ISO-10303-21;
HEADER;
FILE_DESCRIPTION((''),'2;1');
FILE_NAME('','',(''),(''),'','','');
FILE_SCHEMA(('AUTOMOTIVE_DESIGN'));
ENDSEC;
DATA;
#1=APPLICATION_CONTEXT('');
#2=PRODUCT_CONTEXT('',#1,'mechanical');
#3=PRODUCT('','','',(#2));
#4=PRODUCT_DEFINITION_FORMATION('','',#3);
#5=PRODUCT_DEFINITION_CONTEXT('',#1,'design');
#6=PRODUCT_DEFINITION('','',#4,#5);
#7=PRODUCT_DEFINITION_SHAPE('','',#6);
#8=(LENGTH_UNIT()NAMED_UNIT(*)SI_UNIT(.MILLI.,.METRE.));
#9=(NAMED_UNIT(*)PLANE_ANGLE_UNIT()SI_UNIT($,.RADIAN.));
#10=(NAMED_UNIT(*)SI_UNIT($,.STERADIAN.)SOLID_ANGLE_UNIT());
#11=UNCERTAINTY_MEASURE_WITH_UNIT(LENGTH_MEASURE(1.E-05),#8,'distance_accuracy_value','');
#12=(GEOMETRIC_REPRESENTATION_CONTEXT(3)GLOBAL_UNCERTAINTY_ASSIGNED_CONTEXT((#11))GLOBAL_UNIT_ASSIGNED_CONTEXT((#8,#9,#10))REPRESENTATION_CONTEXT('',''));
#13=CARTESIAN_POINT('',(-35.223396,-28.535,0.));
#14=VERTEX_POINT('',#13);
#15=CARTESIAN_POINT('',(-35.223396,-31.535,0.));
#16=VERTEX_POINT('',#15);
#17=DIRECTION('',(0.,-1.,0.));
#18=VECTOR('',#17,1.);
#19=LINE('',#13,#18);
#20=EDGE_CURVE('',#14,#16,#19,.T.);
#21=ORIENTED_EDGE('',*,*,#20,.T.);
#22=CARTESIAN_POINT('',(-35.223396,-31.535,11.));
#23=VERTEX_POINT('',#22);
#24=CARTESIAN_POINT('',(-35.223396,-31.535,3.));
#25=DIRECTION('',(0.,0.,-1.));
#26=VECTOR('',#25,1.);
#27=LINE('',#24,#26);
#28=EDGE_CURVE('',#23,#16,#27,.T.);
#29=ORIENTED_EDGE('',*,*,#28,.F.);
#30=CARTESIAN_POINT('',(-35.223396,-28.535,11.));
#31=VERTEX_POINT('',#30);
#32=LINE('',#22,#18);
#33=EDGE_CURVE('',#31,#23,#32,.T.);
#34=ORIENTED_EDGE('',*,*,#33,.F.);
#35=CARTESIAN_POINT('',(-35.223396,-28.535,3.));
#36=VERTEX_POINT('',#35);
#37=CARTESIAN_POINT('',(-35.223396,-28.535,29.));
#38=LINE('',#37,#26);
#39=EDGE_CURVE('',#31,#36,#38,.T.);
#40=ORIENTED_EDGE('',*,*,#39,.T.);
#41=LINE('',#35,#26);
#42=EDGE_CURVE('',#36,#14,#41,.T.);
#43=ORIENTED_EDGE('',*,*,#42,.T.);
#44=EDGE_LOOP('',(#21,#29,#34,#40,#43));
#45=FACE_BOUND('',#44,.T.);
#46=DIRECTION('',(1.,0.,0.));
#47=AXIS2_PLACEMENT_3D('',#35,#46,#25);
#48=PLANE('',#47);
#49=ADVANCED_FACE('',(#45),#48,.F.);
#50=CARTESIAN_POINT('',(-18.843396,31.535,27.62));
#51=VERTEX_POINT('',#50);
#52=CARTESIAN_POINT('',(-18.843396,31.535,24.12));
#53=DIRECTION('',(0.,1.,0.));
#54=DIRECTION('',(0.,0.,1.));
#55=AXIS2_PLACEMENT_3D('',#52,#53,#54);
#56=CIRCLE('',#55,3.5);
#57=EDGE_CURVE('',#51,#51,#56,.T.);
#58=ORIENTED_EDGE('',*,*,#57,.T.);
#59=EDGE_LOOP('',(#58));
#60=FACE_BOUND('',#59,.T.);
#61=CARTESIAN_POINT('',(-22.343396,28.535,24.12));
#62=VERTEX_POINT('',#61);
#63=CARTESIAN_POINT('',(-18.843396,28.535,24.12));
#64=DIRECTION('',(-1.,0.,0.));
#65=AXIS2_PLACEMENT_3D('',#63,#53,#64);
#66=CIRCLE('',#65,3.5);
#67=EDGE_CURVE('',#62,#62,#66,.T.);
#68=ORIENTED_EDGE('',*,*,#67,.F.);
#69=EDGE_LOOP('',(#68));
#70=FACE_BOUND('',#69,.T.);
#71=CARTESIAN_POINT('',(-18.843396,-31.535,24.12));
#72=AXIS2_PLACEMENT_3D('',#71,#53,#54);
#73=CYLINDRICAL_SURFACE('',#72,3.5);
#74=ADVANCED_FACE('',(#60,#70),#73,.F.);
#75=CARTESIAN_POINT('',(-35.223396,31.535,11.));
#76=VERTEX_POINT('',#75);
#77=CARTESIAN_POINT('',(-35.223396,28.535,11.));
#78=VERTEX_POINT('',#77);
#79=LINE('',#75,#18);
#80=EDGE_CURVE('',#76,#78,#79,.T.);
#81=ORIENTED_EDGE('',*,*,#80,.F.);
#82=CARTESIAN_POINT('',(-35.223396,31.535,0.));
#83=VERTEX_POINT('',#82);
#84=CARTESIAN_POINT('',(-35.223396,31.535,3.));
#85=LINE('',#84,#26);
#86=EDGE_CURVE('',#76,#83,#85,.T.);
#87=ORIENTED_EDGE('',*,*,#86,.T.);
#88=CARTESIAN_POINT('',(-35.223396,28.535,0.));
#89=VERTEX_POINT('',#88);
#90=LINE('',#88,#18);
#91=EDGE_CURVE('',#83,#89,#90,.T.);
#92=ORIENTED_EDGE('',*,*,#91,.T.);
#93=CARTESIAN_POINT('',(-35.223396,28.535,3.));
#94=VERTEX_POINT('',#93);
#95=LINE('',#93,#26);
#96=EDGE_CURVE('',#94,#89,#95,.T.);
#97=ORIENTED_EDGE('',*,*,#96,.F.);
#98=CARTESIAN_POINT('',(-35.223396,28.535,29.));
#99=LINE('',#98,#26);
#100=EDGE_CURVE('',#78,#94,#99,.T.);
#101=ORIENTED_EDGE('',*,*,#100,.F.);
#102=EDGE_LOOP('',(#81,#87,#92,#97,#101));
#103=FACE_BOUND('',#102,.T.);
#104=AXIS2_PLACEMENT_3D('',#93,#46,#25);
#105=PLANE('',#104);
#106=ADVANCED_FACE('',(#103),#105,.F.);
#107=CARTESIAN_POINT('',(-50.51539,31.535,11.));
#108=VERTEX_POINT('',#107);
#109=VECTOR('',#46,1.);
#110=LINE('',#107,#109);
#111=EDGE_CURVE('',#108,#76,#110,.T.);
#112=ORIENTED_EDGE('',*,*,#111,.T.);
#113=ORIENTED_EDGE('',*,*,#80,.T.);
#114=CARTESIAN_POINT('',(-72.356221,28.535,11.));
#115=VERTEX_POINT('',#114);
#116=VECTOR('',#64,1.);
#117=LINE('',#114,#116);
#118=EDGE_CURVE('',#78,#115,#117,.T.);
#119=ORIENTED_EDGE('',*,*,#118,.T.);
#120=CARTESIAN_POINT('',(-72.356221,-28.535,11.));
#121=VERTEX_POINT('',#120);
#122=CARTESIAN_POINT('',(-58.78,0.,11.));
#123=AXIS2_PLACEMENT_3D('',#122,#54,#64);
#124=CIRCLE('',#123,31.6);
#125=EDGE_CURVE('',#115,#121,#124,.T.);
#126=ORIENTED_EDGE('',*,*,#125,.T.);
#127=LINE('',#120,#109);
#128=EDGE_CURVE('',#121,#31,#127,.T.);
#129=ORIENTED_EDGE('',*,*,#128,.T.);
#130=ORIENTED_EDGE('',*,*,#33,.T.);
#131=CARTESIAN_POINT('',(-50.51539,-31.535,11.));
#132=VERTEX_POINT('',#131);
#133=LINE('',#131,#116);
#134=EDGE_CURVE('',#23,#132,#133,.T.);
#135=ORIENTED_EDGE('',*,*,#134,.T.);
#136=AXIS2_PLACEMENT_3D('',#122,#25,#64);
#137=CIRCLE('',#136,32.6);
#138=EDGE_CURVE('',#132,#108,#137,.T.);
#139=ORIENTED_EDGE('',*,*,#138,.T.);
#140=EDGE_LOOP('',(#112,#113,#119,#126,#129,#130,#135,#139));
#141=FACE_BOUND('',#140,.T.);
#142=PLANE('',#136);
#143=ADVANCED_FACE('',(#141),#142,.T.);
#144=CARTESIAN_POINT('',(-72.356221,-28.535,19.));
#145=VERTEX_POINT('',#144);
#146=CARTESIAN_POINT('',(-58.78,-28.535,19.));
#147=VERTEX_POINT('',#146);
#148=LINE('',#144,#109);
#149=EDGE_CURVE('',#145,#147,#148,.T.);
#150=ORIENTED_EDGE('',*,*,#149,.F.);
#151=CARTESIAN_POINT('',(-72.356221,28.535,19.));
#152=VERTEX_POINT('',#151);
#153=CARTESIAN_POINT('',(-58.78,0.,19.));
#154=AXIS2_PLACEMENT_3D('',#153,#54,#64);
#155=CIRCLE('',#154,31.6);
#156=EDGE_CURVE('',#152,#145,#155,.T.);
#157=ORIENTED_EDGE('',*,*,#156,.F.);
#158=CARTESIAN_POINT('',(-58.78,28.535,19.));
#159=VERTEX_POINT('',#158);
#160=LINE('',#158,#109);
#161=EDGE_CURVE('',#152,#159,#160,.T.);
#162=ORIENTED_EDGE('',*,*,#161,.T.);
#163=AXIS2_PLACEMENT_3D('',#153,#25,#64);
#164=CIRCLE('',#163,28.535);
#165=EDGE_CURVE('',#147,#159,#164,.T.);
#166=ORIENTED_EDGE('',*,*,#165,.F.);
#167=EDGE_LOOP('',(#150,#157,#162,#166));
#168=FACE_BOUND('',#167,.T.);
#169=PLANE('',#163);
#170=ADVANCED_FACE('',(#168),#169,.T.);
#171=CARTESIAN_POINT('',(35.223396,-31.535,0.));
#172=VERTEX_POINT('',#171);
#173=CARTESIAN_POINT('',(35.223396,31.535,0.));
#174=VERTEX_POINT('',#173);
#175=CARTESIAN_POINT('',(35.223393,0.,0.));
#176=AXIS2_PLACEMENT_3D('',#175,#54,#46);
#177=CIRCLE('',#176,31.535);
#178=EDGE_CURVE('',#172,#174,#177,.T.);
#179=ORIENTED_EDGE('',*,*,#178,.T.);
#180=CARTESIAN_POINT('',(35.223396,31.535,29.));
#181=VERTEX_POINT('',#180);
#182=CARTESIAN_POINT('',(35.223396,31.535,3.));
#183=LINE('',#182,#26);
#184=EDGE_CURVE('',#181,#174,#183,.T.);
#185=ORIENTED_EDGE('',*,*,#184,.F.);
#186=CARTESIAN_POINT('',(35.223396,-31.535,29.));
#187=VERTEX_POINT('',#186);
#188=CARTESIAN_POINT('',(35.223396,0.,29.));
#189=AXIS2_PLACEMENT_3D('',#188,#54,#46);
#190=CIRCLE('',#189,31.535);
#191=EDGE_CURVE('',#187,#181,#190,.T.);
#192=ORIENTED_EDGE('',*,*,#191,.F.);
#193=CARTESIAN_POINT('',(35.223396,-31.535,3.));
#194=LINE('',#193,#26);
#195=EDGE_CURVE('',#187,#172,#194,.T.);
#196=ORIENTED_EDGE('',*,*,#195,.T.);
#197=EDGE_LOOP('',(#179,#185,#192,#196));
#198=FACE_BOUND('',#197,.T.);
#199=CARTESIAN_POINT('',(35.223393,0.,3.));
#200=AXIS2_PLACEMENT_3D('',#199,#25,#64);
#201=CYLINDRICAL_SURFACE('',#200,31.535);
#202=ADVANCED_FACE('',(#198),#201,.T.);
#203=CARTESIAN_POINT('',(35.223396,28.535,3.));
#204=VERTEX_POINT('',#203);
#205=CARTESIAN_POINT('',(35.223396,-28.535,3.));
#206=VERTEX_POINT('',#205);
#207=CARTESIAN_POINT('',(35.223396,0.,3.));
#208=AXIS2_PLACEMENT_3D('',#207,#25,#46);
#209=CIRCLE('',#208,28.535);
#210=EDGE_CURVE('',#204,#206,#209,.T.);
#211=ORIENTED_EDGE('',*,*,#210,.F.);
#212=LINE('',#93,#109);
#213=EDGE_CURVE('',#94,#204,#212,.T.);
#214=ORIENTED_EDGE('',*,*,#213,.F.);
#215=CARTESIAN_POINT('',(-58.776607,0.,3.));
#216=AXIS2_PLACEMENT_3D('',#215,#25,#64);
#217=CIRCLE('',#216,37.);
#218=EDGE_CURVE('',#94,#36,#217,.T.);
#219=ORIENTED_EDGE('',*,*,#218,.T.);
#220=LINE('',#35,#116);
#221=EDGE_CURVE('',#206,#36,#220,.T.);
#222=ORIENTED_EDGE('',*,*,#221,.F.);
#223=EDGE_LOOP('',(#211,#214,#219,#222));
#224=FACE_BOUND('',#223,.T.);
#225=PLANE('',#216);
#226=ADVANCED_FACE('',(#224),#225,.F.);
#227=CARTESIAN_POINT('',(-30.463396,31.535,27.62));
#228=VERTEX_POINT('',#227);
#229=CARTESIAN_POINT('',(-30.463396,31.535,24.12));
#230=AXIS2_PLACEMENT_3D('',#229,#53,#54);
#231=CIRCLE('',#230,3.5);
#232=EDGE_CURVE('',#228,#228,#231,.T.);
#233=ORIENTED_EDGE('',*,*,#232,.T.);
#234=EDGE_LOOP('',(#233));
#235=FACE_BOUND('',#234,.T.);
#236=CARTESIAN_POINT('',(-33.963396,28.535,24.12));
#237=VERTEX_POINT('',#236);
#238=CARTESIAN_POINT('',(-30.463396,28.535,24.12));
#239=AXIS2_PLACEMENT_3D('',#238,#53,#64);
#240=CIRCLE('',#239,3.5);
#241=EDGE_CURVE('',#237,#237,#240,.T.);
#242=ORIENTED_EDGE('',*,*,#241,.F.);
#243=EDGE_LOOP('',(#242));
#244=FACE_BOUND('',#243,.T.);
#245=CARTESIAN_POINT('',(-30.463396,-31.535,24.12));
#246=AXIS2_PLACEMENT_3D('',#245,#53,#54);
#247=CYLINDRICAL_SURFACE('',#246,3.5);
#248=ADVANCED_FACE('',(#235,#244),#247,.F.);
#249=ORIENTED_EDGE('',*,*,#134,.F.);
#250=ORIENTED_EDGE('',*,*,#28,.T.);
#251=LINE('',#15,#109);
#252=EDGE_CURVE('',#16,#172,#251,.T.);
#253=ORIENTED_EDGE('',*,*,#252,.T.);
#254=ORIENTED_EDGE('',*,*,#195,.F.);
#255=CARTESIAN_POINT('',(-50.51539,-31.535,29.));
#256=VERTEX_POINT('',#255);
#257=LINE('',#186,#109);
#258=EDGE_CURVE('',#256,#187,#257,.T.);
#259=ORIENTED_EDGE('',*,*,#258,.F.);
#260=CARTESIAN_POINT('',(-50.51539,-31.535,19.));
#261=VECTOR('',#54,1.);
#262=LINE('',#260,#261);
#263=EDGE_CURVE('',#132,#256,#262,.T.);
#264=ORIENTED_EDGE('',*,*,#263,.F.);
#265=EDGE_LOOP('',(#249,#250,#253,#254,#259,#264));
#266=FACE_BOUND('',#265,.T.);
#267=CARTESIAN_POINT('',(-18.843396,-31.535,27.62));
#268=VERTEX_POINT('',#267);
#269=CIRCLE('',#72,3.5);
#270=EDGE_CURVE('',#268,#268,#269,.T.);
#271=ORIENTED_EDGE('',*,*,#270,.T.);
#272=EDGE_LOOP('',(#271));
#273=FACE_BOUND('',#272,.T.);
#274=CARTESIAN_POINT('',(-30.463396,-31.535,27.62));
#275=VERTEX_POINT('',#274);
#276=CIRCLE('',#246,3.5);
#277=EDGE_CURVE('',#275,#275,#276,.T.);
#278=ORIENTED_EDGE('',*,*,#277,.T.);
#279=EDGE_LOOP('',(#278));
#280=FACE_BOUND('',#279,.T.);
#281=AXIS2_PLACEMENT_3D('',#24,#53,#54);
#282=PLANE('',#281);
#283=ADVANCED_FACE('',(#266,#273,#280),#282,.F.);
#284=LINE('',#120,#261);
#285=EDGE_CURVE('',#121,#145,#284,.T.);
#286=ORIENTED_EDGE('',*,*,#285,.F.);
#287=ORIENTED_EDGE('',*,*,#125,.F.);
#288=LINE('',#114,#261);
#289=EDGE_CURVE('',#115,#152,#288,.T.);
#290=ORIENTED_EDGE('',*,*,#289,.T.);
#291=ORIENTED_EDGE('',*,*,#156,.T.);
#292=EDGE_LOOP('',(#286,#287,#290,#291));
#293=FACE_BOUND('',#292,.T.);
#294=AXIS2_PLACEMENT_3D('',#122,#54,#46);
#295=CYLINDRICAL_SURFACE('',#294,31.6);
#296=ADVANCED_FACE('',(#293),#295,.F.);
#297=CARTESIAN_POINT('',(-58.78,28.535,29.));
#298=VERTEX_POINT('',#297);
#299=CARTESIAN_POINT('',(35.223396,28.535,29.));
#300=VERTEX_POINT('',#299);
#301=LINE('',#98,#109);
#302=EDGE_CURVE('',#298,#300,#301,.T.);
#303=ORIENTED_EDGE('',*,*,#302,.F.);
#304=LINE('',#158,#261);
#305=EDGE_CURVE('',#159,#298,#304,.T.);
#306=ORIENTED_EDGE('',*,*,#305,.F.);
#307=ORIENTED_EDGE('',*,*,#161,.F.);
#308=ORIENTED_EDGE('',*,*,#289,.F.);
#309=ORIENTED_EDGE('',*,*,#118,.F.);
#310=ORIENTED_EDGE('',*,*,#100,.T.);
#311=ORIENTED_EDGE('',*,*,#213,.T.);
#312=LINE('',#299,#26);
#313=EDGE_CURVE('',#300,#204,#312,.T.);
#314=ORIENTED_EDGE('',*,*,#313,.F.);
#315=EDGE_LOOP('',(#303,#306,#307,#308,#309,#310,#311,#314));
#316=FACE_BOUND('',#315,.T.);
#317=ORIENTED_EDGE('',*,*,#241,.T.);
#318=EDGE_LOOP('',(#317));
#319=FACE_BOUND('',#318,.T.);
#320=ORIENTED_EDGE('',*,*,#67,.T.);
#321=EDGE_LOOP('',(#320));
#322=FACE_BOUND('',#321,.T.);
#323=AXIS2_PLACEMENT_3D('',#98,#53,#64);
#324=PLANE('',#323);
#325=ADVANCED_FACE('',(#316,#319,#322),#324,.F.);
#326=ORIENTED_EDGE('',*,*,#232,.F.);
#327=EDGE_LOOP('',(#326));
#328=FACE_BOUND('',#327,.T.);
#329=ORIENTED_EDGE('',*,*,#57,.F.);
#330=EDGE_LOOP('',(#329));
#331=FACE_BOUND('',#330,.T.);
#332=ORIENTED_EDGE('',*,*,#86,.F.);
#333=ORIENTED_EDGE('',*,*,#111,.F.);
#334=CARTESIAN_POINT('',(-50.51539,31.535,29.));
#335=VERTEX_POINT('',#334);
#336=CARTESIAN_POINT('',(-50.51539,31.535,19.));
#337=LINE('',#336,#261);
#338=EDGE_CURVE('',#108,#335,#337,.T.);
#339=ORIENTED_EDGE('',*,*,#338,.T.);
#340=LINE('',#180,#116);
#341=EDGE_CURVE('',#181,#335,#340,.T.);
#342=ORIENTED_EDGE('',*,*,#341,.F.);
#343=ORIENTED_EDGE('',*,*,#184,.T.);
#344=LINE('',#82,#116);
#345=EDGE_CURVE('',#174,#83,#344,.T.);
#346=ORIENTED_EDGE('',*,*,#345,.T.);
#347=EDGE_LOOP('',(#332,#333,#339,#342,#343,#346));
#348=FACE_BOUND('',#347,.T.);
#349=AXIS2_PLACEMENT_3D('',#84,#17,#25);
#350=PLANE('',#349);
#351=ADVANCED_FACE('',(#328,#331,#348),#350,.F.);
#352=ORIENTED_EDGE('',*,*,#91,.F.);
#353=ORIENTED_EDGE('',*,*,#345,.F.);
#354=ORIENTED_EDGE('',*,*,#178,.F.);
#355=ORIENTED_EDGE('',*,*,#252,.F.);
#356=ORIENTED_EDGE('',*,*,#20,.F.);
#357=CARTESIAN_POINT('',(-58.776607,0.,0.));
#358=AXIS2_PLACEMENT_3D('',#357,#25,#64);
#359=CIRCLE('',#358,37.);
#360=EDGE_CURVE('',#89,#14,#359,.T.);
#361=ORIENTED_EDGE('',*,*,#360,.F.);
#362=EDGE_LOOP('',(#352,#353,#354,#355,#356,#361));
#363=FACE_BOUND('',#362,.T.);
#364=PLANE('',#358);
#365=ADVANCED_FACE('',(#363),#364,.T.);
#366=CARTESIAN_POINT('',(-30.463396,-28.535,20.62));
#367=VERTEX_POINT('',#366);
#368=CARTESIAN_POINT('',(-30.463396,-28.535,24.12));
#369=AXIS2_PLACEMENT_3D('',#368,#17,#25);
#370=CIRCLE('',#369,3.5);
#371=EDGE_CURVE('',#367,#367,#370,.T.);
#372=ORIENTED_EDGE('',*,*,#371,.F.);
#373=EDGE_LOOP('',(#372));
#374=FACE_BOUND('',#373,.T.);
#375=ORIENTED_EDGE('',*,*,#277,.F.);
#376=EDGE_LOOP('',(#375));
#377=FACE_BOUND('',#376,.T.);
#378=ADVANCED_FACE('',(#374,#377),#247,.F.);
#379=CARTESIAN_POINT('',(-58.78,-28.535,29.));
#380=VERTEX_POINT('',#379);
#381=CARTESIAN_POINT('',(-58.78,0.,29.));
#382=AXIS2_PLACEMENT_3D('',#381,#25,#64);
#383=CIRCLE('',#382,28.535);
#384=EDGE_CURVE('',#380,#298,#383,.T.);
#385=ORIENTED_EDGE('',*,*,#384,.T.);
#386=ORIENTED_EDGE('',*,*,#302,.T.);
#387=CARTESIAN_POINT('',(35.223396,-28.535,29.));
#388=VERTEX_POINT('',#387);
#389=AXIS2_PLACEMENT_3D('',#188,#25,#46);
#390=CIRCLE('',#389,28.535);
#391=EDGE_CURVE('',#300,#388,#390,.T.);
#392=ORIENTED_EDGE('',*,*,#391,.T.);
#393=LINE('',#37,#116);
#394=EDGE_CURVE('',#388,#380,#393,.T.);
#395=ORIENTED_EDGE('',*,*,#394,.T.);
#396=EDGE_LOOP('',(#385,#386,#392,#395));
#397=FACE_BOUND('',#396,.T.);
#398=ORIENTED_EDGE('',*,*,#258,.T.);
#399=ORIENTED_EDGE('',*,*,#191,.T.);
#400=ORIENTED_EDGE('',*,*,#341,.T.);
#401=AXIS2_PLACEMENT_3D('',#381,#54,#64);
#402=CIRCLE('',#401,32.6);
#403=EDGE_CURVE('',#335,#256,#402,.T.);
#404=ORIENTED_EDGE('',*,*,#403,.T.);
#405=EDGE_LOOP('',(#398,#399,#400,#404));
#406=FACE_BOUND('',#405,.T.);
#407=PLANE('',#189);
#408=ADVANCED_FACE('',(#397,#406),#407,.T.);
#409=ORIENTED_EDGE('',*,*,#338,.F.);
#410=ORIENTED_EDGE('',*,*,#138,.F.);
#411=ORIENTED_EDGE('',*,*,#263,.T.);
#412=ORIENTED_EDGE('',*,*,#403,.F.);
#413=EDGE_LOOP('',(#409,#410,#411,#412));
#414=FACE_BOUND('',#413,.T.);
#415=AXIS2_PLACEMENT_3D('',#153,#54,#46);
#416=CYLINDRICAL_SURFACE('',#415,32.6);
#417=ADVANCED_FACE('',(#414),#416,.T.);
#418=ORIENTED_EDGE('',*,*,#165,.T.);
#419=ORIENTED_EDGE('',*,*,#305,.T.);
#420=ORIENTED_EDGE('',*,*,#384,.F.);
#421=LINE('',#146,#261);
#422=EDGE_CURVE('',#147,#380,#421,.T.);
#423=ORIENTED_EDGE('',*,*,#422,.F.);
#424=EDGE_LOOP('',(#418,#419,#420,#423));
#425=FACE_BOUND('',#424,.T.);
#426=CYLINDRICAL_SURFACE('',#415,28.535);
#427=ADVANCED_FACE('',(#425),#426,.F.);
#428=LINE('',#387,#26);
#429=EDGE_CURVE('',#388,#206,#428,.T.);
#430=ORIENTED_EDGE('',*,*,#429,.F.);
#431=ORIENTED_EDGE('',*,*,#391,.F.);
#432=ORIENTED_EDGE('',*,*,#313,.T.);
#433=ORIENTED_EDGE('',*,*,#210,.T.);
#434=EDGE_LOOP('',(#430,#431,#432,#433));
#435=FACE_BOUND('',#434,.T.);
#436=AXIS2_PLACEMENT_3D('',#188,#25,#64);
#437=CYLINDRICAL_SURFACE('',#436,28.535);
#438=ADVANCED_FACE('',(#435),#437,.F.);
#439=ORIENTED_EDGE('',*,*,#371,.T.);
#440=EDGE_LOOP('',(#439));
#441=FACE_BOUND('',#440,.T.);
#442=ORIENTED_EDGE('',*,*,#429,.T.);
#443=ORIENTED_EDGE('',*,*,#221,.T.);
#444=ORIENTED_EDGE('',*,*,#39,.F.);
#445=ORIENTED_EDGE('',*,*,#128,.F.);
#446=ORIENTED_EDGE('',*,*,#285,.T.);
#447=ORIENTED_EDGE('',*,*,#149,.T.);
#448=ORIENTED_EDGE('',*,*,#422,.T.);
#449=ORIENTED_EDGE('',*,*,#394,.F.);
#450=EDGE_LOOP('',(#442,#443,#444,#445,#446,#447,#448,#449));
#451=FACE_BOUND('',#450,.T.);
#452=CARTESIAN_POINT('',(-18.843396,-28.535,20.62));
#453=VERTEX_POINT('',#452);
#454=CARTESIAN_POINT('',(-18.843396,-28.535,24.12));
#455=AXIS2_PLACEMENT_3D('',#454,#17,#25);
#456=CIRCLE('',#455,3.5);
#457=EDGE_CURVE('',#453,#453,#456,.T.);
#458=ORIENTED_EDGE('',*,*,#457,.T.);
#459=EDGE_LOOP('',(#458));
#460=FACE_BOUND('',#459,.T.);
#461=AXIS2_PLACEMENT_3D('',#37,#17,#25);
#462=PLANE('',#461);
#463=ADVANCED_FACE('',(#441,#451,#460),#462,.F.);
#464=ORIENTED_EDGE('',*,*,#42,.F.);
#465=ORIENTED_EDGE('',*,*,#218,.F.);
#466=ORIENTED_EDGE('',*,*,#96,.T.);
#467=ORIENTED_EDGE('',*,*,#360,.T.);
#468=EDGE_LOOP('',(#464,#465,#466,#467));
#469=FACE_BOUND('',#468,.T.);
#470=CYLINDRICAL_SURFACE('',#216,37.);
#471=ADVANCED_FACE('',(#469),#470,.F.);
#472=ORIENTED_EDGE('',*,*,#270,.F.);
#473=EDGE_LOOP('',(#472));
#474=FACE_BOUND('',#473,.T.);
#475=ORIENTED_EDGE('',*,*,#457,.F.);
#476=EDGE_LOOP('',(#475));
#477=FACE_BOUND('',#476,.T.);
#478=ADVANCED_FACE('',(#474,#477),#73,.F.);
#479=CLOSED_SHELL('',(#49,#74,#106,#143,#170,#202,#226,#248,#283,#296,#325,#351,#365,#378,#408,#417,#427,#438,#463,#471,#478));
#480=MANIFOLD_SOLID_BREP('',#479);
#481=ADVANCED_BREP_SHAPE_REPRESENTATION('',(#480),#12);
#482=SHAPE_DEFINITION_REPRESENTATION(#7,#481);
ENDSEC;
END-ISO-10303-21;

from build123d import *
from build123d.topology import SkipClean

# Parameters (mm, degrees)
BOSS_EXTRUDE2_DEPTH = 3
BOSS_EXTRUDE3_DEPTH = 26
SKETCH8_R           = 3.5
CUT_EXTRUDE1_DEPTH  = 97.30944019
BOSS_EXTRUDE4_DEPTH = 10
BOSS_EXTRUDE5_DEPTH = 8


with BuildPart() as part:
    # Sketch5 → Boss-Extrude2 (new body)
    with BuildSketch(Plane.XY):
        with BuildLine():
            Line((-35.2233955, 28.535), (-35.2233955, 31.535))
            Line((-35.2233955, 31.535), (35.2233955, 31.535))
            ThreePointArc((35.2233955, 31.535), (66.758392935, 0), (35.2233955, -31.535))
            Line((35.2233955, -31.535), (-35.2233955, -31.535))
            Line((-35.2233955, -31.535), (-35.2233955, -28.535))
            ThreePointArc((-35.2233955, -28.535), (-21.776607065, 0), (-35.2233955, 28.535))
        make_face()
    extrude(amount=BOSS_EXTRUDE2_DEPTH)

    # Sketch7 → Boss-Extrude3 (add)
    with BuildSketch(Plane.XY.offset(3)):
        with BuildLine():
            Line((35.2233955, 31.535), (-35.2233955, 31.535))
            Line((-35.2233955, 31.535), (-35.2233955, 28.535))
            Line((-35.2233955, 28.535), (35.2233955, 28.535))
            ThreePointArc((35.2233955, 28.535), (63.7583955, 0), (35.2233955, -28.535))
            Line((35.2233955, -28.535), (-35.2233955, -28.535))
            Line((-35.2233955, -28.535), (-35.2233955, -31.535))
            Line((-35.2233955, -31.535), (35.2233955, -31.535))
            ThreePointArc((35.2233955, -31.535), (66.7583955, 0), (35.2233955, 31.535))
        make_face()
    extrude(amount=BOSS_EXTRUDE3_DEPTH)

    # Sketch8 → Cut-Extrude1 (cut, through all)
    with BuildSketch(Plane(origin=(0, 31.535, 0), x_dir=(1, 0, 0), z_dir=(0, 1, 0))):
        with Locations(Location((-18.8433955, -24.12, 0), (0, 0, 270))):
            Circle(SKETCH8_R)
        with Locations(Location((-30.4633955, -24.12, 0), (0, 0, 270))):
            Circle(SKETCH8_R)
    extrude(amount=-CUT_EXTRUDE1_DEPTH, mode=Mode.SUBTRACT)

    # Sketch9 → Boss-Extrude4 (add)
    with BuildSketch(Plane.XY.offset(29)):
        with BuildLine():
            Line((-50.515390209, 31.535), (-35.2233955, 31.535))
            Line((-35.2233955, 31.535), (-35.2233955, 28.535))
            Line((-35.2233955, 28.535), (-58.78, 28.535))
            ThreePointArc((-58.78, 28.535), (-87.315, 0), (-58.78, -28.535))
            Line((-58.78, -28.535), (-35.2233955, -28.535))
            Line((-35.2233955, -28.535), (-35.2233955, -31.535))
            Line((-35.2233955, -31.535), (-50.515390209, -31.535))
            ThreePointArc((-50.515390209, -31.535), (-91.38, 0), (-50.515390209, 31.535))
        make_face()
    extrude(amount=-BOSS_EXTRUDE4_DEPTH)

    # Sketch11 → Boss-Extrude5 (add)
    with SkipClean():  # the faces are left unmerged after this step: merging them gives an invalid solid
        with BuildSketch(Plane(origin=(0, 0, 19), x_dir=(-1, 0, 0), z_dir=(0, 0, -1))):
            with BuildLine():
                Line((72.35622094, 28.535), (35.2233955, 28.535))
                Line((35.2233955, 28.535), (35.2233955, 31.535))
                Line((35.2233955, 31.535), (50.515390209, 31.535))
                ThreePointArc((50.515390209, 31.535), (91.38, 0), (50.515390209, -31.535))
                Line((50.515390209, -31.535), (35.2233955, -31.535))
                Line((35.2233955, -31.535), (35.2233955, -28.535))
                Line((35.2233955, -28.535), (72.35622094, -28.535))
                ThreePointArc((72.35622094, -28.535), (90.38, 0), (72.35622094, 28.535))
            make_face()
        extrude(amount=BOSS_EXTRUDE5_DEPTH)


solid = part.part
